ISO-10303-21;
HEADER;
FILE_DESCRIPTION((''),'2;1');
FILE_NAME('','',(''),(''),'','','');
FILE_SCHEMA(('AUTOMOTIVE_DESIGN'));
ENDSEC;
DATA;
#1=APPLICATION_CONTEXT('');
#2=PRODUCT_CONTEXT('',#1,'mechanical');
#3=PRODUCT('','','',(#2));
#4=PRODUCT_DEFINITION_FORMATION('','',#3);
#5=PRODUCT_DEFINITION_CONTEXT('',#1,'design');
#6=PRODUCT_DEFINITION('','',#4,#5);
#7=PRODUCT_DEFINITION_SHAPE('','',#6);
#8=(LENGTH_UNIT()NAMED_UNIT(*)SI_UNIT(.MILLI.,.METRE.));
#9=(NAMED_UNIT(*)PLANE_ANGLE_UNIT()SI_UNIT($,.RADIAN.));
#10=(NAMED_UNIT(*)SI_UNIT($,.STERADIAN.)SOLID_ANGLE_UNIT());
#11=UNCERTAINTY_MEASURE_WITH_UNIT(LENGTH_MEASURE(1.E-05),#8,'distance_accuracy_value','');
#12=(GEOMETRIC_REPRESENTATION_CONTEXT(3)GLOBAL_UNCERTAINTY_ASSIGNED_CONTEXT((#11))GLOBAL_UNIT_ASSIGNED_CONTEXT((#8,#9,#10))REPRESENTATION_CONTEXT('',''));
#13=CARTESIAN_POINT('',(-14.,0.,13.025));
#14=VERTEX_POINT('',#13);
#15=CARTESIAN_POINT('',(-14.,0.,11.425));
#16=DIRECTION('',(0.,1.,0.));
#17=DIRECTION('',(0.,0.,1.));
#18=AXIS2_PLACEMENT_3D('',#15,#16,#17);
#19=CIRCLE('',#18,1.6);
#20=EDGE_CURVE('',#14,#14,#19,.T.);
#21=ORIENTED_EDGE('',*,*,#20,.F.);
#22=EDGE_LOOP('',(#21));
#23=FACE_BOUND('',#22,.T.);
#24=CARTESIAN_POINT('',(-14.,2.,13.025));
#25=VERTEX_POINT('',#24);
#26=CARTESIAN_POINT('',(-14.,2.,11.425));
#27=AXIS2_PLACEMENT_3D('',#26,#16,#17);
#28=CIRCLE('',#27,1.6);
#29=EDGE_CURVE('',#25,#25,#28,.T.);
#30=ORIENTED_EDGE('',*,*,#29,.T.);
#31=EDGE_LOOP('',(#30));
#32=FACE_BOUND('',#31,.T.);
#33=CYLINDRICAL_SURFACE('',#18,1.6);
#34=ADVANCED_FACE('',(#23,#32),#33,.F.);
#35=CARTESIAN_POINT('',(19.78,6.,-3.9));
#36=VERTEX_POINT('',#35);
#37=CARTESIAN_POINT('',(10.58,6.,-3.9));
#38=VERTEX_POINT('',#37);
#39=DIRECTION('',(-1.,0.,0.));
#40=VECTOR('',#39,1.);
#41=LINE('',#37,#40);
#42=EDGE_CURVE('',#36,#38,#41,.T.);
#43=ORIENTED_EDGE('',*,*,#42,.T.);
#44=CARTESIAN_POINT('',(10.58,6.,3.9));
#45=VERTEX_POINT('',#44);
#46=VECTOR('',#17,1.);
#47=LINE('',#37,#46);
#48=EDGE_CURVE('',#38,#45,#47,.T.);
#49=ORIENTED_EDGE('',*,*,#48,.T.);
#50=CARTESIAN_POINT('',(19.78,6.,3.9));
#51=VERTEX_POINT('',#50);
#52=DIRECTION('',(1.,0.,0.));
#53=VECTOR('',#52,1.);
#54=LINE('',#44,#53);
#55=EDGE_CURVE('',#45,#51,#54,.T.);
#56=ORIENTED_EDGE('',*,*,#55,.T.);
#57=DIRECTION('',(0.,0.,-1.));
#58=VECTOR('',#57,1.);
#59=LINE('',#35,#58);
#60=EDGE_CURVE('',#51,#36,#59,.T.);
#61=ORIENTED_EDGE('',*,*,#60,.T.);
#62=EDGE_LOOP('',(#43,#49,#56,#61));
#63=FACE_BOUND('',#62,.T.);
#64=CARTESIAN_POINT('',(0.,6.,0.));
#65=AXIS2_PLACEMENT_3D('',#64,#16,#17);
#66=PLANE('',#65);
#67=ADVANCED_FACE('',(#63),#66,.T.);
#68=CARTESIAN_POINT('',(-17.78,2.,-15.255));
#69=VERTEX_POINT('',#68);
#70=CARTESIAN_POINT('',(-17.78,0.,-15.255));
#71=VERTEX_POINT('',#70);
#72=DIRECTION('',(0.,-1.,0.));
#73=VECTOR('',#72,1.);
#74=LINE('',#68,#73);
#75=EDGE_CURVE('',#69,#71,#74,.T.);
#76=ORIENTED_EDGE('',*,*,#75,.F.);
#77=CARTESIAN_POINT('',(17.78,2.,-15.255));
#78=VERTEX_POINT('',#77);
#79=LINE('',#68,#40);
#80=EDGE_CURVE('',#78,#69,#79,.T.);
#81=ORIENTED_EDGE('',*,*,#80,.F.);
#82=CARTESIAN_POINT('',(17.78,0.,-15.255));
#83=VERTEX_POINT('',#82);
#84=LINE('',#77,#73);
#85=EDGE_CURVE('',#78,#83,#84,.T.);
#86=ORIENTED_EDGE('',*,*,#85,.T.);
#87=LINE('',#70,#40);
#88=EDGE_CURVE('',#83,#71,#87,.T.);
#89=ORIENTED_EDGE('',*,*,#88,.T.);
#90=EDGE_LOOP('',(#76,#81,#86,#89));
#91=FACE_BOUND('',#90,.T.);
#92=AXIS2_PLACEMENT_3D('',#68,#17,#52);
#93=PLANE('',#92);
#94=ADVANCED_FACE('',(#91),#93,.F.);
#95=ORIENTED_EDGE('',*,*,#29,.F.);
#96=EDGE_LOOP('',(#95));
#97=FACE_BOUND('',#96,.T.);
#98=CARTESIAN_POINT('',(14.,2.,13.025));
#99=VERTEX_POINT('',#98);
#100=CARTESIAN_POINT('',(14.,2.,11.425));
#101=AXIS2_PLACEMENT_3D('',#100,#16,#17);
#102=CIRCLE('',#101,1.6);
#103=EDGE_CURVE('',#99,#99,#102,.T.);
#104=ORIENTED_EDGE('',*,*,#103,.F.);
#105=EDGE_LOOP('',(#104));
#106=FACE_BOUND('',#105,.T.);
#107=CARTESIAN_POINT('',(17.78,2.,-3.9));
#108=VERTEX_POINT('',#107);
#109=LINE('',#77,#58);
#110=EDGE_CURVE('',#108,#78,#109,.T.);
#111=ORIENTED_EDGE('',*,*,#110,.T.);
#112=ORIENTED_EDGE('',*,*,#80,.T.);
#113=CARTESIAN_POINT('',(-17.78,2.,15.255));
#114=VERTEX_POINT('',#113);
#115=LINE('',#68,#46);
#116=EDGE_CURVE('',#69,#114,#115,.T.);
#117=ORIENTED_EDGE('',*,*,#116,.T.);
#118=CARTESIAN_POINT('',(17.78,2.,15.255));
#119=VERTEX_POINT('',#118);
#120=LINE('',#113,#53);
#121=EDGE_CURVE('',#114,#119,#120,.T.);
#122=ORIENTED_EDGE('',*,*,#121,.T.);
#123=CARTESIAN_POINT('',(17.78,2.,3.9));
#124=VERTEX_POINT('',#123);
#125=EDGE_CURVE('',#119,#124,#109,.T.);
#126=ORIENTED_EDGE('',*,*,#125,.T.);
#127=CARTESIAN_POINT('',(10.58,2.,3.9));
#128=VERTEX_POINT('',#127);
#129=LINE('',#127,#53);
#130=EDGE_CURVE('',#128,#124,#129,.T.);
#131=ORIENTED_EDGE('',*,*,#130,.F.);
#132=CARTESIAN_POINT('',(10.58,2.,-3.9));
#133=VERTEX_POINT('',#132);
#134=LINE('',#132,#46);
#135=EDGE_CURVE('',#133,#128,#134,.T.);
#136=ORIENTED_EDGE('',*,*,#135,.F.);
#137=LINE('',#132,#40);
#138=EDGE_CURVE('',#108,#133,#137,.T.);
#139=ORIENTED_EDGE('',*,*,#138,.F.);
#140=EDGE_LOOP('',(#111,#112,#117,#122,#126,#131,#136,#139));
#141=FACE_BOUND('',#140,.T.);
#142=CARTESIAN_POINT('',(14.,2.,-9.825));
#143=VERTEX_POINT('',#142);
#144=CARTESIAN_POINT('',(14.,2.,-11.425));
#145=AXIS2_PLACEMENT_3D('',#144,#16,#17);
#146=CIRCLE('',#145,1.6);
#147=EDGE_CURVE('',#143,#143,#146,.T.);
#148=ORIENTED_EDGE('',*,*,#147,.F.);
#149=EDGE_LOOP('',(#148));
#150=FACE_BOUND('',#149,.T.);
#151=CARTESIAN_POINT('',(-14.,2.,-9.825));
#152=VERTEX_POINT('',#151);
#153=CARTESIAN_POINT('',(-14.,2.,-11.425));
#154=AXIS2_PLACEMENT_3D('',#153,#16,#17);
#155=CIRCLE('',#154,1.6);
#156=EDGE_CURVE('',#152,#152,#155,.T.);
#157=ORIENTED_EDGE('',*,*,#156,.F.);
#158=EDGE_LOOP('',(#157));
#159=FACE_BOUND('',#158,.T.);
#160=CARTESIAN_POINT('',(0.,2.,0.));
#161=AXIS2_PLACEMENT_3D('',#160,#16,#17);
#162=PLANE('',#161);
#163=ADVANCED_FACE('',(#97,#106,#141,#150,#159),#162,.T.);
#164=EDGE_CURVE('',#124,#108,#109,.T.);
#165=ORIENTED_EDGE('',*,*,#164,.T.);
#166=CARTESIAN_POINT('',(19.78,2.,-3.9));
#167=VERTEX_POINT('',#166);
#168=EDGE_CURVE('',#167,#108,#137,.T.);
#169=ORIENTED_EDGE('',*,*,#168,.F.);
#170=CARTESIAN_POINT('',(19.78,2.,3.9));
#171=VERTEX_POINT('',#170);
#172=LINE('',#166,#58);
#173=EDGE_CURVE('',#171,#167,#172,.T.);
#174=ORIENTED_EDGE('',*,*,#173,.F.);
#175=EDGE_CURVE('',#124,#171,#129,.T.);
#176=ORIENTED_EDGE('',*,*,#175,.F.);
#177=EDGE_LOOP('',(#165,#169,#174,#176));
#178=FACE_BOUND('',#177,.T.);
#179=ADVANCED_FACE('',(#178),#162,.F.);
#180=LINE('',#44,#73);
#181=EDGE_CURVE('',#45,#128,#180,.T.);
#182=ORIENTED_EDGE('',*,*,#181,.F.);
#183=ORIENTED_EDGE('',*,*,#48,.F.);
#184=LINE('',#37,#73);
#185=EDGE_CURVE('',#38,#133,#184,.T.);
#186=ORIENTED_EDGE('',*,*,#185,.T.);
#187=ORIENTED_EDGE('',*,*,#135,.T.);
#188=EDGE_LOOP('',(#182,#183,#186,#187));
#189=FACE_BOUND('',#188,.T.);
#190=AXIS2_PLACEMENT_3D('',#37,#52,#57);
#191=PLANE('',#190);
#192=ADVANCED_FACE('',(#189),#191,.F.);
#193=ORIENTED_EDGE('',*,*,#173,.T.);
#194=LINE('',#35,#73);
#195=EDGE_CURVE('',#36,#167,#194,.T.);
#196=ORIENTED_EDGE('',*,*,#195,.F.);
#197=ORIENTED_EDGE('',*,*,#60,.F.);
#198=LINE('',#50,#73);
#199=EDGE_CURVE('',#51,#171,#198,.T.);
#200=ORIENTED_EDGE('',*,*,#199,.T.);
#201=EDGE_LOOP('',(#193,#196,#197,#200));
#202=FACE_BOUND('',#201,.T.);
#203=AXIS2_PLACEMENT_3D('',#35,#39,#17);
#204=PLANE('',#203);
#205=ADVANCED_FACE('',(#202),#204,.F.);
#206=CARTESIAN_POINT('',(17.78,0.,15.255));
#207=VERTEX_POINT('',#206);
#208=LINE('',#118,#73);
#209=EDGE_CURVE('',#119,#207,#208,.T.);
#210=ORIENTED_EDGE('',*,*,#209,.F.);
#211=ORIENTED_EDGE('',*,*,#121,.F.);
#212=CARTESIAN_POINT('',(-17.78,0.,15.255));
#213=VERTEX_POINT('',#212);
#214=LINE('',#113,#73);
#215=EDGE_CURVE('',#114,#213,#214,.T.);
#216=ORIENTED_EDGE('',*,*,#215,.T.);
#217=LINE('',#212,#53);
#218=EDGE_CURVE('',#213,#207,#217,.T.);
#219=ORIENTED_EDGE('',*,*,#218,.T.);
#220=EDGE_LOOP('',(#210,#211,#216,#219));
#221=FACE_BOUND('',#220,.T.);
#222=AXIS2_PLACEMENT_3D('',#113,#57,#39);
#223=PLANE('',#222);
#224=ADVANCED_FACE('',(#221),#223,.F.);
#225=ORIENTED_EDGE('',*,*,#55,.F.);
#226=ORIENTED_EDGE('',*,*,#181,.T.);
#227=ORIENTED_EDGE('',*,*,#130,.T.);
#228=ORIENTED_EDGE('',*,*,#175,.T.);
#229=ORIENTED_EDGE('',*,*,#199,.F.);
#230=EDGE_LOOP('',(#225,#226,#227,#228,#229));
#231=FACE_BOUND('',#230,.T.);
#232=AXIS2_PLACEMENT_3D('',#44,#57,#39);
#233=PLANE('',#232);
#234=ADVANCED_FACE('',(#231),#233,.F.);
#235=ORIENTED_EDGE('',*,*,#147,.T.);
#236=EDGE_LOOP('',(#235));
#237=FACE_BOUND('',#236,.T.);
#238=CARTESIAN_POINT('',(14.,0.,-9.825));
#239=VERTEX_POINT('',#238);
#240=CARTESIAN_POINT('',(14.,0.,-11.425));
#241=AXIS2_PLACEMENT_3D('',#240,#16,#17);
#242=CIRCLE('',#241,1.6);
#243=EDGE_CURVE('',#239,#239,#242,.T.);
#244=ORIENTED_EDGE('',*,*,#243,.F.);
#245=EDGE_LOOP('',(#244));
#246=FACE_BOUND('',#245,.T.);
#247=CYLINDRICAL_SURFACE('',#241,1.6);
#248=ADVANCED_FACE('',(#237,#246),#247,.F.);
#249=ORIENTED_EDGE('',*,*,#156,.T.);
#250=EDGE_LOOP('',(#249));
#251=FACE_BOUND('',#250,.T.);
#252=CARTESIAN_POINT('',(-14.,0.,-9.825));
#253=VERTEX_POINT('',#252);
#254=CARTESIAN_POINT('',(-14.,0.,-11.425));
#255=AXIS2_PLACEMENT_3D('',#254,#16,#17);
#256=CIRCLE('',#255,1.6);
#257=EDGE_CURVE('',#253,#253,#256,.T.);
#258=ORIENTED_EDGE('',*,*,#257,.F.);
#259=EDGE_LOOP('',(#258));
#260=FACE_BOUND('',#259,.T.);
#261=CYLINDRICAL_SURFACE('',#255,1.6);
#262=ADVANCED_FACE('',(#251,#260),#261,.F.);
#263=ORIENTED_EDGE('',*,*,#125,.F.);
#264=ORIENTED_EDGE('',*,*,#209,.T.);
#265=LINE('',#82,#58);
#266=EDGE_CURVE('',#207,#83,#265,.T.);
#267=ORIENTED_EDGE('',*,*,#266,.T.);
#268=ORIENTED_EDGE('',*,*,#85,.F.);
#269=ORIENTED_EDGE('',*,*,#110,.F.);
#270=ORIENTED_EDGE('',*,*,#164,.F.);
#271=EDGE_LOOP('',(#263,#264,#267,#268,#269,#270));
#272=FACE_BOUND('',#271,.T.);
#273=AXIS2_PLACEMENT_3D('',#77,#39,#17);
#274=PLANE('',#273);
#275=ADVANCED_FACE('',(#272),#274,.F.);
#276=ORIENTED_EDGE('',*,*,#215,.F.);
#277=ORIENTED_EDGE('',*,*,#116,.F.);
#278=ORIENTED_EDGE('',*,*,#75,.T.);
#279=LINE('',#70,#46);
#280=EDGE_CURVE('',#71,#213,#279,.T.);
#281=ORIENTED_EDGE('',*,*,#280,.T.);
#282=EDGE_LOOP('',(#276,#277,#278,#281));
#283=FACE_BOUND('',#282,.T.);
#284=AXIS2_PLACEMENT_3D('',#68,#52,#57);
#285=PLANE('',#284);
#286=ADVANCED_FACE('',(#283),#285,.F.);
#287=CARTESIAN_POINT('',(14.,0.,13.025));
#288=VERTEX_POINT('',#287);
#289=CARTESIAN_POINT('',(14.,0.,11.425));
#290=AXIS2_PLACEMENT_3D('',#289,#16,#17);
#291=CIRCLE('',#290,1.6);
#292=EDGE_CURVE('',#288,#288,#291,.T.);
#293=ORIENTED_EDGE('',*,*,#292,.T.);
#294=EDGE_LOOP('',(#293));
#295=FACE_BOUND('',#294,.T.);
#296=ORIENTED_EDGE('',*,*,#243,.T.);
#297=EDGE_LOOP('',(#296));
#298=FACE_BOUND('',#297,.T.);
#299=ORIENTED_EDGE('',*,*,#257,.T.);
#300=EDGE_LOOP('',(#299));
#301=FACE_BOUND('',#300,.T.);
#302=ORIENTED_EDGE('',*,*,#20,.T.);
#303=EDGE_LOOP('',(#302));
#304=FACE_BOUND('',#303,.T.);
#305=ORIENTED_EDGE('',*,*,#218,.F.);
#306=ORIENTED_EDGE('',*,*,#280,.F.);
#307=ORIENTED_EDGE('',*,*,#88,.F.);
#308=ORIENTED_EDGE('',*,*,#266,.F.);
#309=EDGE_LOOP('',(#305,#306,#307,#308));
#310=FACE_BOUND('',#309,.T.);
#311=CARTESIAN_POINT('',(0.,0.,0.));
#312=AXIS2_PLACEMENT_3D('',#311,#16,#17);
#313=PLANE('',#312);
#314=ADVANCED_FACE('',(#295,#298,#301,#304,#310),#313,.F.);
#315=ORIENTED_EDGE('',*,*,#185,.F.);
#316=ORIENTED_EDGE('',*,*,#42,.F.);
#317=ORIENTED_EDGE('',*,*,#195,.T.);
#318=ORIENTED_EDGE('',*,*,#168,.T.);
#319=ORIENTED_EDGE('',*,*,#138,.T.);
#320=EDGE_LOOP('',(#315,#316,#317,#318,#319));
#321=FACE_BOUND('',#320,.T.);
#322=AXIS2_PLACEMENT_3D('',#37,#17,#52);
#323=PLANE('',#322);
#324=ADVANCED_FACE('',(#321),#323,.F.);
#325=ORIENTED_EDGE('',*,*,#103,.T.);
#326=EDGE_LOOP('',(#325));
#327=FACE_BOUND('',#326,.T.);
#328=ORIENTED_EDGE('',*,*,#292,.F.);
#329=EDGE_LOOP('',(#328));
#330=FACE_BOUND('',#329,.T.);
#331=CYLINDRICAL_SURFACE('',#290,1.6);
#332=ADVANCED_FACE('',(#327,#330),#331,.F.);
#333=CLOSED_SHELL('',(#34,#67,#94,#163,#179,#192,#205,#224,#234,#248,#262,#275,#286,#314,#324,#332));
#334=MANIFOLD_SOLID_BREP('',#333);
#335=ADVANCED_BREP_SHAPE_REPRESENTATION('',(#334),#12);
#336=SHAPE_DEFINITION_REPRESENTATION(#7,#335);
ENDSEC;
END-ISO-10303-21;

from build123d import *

# Parameters (mm, degrees)
SKETCH1_W           = 35.56
SKETCH1_H           = 30.51
BOSS_EXTRUDE1_DEPTH = 2
SKETCH2_R           = 1.6
CUT_EXTRUDE1_DEPTH  = 24.512622674
SKETCH3_W           = 9.2
SKETCH3_H           = 7.8
BOSS_EXTRUDE2_DEPTH = 4


with BuildPart() as part:
    # Sketch1 → Boss-Extrude1 (new body)
    with BuildSketch(Plane(origin=(0, 0, 0), x_dir=(1, 0, 0), z_dir=(0, 1, 0))):
        Rectangle(SKETCH1_W, SKETCH1_H)
    extrude(amount=BOSS_EXTRUDE1_DEPTH)

    # Sketch2 → Cut-Extrude1 (cut, through all)
    with BuildSketch(Plane(origin=(0, 2, 0), x_dir=(1, 0, 0), z_dir=(0, 1, 0))):
        with Locations(Location((-14, 11.425, 0), (0, 0, 270))):
            Circle(SKETCH2_R)
        with Locations(Location((14, 11.425, 0), (0, 0, 270))):
            Circle(SKETCH2_R)
        with Locations(Location((14, -11.425, 0), (0, 0, 270))):
            Circle(SKETCH2_R)
        with Locations(Location((-14, -11.425, 0), (0, 0, 270))):
            Circle(SKETCH2_R)
    extrude(amount=-CUT_EXTRUDE1_DEPTH, mode=Mode.SUBTRACT)

    # Sketch3 → Boss-Extrude2 (add)
    with BuildSketch(Plane(origin=(0, 2, 0), x_dir=(1, 0, 0), z_dir=(0, 1, 0))):
        with Locations((15.18, 0)):
            Rectangle(SKETCH3_W, SKETCH3_H)
    extrude(amount=BOSS_EXTRUDE2_DEPTH)


solid = part.part
